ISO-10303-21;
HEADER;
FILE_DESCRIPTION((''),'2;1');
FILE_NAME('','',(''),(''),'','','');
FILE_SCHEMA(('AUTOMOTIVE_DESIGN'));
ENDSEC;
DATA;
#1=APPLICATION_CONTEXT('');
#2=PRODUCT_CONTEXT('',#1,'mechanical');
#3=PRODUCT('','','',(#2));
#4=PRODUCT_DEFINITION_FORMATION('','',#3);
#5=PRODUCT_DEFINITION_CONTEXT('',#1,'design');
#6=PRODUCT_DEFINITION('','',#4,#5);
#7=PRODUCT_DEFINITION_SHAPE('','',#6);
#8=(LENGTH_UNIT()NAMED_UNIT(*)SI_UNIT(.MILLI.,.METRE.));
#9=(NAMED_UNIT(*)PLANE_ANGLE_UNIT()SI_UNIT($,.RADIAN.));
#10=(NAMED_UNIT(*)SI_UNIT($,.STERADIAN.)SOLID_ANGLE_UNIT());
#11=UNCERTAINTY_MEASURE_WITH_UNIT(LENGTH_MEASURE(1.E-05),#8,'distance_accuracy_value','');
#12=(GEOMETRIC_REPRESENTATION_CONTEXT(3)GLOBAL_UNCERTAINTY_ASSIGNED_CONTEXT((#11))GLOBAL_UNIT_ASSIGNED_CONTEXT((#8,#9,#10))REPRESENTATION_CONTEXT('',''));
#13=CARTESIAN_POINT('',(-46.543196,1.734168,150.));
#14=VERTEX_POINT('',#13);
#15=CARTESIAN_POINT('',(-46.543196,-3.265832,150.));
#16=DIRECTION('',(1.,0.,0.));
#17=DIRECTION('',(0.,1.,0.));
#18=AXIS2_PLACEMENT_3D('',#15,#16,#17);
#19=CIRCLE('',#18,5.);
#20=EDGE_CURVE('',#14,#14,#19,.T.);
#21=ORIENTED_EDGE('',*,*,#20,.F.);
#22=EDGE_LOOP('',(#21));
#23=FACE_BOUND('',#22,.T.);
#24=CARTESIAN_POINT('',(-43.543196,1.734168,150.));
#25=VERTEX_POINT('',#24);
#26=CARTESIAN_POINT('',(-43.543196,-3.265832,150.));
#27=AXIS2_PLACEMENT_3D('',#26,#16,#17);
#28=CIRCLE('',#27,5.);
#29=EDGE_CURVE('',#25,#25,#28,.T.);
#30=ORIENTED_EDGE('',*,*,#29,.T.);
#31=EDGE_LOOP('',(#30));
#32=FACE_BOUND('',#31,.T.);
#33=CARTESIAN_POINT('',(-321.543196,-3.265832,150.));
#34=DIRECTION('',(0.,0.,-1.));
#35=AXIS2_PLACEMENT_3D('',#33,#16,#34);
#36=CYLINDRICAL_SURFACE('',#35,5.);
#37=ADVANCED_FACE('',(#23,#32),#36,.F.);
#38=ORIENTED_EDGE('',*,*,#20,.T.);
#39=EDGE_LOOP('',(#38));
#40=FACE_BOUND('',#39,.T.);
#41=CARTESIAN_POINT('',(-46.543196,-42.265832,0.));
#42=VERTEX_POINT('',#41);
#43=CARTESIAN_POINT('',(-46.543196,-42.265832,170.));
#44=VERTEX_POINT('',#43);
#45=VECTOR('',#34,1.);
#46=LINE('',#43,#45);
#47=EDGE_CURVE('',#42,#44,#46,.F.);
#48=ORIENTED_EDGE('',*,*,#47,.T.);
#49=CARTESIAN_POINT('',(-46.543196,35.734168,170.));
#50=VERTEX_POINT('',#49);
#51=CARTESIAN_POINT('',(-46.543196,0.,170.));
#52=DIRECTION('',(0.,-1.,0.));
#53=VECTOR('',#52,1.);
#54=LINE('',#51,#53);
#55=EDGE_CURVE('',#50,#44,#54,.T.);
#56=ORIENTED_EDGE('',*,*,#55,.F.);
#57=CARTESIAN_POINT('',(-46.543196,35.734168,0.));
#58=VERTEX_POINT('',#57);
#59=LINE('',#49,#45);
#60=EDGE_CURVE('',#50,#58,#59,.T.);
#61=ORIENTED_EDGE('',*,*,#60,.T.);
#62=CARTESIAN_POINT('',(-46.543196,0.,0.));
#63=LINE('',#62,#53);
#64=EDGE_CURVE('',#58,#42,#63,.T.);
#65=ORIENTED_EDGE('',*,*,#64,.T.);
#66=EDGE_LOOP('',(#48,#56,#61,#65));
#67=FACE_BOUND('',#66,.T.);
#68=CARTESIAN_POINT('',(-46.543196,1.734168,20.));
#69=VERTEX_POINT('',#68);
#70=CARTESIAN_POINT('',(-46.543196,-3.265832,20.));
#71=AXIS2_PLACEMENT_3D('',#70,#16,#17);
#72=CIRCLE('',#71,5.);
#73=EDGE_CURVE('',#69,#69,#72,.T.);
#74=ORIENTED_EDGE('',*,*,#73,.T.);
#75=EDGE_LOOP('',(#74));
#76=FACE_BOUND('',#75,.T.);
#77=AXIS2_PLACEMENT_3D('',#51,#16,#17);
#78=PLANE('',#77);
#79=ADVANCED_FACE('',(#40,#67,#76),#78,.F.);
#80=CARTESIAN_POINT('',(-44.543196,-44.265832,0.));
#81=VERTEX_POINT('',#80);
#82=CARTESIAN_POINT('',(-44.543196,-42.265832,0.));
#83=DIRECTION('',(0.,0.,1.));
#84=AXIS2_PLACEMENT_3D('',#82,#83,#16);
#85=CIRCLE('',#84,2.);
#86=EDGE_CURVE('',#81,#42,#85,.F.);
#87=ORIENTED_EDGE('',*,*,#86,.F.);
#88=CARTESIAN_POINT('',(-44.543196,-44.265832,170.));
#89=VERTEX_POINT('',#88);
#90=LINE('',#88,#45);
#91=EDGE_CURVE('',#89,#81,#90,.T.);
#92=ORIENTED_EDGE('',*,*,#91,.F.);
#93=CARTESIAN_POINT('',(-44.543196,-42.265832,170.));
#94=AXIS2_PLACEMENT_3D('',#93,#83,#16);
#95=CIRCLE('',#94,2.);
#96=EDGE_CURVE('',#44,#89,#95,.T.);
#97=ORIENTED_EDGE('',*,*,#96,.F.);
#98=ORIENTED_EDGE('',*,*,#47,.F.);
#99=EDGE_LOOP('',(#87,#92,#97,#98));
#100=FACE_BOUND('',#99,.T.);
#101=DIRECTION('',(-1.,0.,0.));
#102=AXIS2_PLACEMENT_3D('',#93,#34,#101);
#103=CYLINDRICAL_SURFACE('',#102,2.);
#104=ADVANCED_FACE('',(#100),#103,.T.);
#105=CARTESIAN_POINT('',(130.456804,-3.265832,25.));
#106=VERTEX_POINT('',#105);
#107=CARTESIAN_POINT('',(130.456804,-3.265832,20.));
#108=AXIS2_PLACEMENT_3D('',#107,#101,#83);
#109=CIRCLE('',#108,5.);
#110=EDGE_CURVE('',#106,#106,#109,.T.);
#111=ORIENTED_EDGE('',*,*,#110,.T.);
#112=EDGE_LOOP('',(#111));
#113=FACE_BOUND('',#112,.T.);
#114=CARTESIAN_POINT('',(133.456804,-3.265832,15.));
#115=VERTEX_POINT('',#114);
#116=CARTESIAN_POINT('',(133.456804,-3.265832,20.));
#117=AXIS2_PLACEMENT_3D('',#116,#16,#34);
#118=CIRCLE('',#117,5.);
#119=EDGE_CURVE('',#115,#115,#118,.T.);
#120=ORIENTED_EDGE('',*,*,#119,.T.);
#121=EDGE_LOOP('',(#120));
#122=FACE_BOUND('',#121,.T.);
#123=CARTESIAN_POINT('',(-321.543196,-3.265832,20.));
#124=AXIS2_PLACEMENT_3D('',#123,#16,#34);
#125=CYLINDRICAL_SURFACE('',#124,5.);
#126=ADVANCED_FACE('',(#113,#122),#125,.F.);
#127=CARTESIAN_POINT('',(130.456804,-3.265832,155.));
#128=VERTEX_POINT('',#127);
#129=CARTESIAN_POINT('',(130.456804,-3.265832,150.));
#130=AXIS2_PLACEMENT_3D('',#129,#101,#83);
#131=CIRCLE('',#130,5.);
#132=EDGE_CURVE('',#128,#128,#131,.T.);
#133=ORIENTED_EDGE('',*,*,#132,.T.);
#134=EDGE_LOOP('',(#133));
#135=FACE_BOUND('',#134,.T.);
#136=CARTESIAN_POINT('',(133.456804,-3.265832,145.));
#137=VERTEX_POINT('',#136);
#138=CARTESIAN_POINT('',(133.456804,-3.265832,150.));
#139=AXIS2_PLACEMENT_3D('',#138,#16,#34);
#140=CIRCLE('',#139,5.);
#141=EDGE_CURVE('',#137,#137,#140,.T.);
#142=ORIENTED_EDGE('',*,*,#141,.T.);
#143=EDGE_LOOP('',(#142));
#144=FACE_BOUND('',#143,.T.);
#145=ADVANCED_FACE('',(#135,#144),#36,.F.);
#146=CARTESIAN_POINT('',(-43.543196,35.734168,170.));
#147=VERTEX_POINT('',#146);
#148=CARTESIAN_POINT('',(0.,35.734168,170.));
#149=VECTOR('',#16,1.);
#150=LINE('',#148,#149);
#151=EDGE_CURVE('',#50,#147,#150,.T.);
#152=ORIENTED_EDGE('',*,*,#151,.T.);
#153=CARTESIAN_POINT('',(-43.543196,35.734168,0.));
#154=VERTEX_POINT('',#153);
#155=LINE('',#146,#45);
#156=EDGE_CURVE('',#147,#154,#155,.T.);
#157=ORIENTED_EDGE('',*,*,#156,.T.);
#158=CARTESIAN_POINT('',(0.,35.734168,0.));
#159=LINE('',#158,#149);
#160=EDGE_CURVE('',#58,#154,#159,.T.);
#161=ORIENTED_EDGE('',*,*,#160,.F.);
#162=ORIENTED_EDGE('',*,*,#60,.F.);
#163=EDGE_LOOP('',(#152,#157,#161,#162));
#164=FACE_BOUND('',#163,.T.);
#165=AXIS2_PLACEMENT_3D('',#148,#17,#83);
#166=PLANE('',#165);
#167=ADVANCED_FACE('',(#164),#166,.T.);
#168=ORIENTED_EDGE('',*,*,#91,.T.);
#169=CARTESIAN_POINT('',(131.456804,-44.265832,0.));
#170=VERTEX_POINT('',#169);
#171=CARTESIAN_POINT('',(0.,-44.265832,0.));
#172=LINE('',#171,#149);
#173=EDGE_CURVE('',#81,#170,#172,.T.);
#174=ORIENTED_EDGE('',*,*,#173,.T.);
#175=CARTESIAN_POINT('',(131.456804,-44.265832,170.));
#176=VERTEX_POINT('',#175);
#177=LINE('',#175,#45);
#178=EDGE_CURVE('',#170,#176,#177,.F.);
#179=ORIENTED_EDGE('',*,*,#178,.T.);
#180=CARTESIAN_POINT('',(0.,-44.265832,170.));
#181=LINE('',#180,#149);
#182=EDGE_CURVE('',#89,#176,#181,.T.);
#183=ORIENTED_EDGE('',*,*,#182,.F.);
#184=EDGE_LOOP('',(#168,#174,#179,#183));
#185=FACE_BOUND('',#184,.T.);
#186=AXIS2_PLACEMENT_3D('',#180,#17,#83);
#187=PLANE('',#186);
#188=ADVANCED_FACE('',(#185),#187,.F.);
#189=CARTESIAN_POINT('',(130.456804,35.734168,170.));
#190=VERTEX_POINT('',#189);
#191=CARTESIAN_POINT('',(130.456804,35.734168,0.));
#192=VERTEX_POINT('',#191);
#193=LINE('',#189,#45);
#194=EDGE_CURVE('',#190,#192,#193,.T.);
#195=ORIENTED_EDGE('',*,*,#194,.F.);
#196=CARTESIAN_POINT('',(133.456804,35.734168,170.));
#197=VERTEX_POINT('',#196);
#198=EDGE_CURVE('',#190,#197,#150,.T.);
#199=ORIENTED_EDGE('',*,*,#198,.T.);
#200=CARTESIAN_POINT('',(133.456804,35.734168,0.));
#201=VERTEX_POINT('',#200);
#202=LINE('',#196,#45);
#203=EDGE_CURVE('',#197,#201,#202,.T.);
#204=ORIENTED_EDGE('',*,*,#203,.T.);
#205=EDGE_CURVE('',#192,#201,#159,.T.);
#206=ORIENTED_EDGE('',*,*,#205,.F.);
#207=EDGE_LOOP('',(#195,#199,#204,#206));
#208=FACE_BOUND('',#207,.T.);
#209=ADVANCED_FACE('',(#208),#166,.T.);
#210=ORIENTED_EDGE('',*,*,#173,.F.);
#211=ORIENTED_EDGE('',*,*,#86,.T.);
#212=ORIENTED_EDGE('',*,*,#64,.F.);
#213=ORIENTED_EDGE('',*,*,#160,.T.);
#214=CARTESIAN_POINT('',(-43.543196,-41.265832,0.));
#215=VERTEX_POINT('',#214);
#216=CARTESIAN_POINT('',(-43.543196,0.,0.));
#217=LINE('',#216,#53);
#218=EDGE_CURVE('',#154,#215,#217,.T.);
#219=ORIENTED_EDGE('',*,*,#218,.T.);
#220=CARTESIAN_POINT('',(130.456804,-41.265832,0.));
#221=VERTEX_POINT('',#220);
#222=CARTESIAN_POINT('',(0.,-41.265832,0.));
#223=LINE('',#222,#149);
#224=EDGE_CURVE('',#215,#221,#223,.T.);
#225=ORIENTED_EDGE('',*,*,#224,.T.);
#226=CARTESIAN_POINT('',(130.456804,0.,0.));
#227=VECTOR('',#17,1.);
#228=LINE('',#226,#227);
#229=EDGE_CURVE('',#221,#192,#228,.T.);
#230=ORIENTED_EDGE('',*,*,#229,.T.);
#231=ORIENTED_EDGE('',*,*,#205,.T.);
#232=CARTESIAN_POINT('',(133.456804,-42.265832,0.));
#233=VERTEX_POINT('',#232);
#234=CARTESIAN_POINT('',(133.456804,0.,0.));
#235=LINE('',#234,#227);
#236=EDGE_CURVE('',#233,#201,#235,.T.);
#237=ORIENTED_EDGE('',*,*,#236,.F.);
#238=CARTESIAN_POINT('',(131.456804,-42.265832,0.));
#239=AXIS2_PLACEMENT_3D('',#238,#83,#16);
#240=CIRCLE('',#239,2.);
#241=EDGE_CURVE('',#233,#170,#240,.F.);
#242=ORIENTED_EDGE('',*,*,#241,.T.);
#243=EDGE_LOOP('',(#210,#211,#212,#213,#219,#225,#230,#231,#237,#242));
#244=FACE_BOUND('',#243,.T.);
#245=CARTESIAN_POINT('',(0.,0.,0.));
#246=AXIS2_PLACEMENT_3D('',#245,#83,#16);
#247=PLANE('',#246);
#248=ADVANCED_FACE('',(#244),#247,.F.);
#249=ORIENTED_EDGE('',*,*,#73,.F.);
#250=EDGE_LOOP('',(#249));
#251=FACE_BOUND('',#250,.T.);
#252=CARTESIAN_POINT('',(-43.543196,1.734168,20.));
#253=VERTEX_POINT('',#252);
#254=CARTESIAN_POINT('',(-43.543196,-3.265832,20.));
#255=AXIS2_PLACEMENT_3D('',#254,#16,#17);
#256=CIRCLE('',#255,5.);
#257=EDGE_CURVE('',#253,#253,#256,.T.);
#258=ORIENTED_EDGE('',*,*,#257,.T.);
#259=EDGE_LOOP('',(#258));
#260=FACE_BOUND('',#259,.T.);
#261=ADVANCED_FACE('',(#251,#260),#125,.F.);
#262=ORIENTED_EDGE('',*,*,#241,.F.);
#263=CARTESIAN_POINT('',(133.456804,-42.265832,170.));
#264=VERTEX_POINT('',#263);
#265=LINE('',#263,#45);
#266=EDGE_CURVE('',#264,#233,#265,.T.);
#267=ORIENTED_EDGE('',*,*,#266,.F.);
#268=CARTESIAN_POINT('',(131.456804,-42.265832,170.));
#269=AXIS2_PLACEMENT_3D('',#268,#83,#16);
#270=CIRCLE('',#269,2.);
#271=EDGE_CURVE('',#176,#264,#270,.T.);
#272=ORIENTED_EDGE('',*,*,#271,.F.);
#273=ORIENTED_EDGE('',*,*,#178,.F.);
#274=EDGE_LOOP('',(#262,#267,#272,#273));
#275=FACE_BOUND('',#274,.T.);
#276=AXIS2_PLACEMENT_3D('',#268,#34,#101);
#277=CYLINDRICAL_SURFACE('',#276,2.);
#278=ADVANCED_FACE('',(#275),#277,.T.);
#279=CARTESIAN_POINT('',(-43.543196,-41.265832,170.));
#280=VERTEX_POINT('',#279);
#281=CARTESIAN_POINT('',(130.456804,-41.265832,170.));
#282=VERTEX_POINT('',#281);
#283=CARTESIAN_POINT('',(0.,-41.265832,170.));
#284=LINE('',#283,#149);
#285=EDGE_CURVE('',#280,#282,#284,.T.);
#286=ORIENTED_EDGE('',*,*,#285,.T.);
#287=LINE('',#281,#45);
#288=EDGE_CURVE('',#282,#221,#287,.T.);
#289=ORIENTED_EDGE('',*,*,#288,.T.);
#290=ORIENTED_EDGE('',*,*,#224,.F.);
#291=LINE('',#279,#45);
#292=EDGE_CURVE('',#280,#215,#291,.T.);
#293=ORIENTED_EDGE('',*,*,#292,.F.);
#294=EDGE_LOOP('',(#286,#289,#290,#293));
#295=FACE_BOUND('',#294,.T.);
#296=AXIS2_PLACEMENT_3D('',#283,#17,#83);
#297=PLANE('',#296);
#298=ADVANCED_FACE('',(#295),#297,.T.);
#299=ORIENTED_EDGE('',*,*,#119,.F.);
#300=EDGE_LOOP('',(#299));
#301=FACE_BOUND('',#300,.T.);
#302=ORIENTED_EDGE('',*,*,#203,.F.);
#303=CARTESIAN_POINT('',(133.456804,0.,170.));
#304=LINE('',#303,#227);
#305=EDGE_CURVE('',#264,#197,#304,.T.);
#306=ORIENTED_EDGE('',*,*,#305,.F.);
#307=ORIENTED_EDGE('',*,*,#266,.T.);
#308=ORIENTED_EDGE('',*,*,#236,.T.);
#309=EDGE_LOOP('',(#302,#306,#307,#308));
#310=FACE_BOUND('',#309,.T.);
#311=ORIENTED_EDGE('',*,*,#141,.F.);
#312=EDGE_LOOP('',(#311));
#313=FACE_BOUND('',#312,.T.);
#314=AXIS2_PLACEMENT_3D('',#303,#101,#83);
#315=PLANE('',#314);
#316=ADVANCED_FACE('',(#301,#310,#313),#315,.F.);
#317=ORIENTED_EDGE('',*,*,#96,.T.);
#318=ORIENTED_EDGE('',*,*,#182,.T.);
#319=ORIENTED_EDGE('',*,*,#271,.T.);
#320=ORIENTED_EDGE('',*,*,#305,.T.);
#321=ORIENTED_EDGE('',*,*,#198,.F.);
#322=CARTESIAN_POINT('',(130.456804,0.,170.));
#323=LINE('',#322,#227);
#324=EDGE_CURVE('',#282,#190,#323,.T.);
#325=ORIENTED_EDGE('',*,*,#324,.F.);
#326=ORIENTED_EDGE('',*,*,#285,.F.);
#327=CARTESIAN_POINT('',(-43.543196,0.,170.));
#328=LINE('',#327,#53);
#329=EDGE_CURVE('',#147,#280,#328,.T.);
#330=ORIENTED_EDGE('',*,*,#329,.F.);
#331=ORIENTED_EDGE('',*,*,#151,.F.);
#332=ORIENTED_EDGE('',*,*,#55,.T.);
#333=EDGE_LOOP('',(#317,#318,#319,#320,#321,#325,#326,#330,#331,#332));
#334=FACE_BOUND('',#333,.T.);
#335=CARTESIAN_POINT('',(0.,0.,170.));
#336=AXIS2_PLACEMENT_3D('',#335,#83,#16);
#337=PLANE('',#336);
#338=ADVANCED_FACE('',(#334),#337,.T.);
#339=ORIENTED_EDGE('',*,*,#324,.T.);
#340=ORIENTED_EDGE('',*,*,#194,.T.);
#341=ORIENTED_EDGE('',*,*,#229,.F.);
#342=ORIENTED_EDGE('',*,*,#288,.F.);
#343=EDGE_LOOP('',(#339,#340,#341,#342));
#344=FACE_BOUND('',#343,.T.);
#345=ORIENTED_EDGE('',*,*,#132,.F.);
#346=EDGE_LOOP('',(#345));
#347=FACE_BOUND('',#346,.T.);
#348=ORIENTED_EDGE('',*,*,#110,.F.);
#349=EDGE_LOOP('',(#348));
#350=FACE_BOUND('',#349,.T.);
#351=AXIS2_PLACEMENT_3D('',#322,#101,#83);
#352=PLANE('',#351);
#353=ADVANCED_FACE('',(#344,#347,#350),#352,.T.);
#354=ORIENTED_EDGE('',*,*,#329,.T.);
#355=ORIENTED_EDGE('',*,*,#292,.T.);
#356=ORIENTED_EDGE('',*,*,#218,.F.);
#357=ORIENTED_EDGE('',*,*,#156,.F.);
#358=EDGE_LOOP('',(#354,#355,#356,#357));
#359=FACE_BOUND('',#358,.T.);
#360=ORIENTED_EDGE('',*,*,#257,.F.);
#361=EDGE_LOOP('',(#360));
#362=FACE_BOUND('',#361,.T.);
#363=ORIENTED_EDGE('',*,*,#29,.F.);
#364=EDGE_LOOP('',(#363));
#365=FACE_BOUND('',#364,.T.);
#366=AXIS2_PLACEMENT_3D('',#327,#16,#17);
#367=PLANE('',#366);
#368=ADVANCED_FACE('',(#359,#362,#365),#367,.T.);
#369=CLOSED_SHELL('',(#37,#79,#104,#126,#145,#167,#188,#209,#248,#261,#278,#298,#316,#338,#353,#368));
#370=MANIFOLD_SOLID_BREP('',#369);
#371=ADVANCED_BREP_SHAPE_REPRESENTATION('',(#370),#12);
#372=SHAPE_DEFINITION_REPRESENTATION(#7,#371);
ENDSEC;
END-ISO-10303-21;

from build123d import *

# Parameters (mm, degrees)
BOSS_EXTRUDE1_DEPTH = 170
FILLET1_R           = 2
FILLET2_R           = 2
SKETCH2_R           = 5
CUT_EXTRUDE2_DEPTH  = 455


with BuildPart() as part:
    # Sketch1 → Boss-Extrude1 (new body)
    with BuildSketch(Plane.XY):
        Polygon((-43.543195893, -41.265832091), (-43.543195893, 35.734167909), (-46.543195893, 35.734167909), (-46.543195893, -44.265832091), (133.456804107, -44.265832091), (133.456804107, 35.734167909), (130.456804107, 35.734167909), (130.456804107, -41.265832091), align=None)
    extrude(amount=BOSS_EXTRUDE1_DEPTH)

    # Fillet1
    fillet1_edges = [part.edges().sort_by_distance(p)[0] for p in [
        (-46.543195893, -44.265832091, 85),
    ]]
    fillet(fillet1_edges, radius=FILLET1_R)

    # Fillet2
    fillet2_edges = [part.edges().sort_by_distance(p)[0] for p in [
        (133.456804107, -44.265832091, 85),
    ]]
    fillet(fillet2_edges, radius=FILLET2_R)

    # Sketch2 → Cut-Extrude2 (cut)
    with BuildSketch(Plane(origin=(133.456804107, 0, 0), x_dir=(0, 0, -1), z_dir=(1, 0, 0))):
        with Locations((-150, -3.265832091)):
            Circle(SKETCH2_R)
        with Locations((-20, -3.265832091)):
            Circle(SKETCH2_R)
    extrude(amount=-CUT_EXTRUDE2_DEPTH, mode=Mode.SUBTRACT)


solid = part.part
